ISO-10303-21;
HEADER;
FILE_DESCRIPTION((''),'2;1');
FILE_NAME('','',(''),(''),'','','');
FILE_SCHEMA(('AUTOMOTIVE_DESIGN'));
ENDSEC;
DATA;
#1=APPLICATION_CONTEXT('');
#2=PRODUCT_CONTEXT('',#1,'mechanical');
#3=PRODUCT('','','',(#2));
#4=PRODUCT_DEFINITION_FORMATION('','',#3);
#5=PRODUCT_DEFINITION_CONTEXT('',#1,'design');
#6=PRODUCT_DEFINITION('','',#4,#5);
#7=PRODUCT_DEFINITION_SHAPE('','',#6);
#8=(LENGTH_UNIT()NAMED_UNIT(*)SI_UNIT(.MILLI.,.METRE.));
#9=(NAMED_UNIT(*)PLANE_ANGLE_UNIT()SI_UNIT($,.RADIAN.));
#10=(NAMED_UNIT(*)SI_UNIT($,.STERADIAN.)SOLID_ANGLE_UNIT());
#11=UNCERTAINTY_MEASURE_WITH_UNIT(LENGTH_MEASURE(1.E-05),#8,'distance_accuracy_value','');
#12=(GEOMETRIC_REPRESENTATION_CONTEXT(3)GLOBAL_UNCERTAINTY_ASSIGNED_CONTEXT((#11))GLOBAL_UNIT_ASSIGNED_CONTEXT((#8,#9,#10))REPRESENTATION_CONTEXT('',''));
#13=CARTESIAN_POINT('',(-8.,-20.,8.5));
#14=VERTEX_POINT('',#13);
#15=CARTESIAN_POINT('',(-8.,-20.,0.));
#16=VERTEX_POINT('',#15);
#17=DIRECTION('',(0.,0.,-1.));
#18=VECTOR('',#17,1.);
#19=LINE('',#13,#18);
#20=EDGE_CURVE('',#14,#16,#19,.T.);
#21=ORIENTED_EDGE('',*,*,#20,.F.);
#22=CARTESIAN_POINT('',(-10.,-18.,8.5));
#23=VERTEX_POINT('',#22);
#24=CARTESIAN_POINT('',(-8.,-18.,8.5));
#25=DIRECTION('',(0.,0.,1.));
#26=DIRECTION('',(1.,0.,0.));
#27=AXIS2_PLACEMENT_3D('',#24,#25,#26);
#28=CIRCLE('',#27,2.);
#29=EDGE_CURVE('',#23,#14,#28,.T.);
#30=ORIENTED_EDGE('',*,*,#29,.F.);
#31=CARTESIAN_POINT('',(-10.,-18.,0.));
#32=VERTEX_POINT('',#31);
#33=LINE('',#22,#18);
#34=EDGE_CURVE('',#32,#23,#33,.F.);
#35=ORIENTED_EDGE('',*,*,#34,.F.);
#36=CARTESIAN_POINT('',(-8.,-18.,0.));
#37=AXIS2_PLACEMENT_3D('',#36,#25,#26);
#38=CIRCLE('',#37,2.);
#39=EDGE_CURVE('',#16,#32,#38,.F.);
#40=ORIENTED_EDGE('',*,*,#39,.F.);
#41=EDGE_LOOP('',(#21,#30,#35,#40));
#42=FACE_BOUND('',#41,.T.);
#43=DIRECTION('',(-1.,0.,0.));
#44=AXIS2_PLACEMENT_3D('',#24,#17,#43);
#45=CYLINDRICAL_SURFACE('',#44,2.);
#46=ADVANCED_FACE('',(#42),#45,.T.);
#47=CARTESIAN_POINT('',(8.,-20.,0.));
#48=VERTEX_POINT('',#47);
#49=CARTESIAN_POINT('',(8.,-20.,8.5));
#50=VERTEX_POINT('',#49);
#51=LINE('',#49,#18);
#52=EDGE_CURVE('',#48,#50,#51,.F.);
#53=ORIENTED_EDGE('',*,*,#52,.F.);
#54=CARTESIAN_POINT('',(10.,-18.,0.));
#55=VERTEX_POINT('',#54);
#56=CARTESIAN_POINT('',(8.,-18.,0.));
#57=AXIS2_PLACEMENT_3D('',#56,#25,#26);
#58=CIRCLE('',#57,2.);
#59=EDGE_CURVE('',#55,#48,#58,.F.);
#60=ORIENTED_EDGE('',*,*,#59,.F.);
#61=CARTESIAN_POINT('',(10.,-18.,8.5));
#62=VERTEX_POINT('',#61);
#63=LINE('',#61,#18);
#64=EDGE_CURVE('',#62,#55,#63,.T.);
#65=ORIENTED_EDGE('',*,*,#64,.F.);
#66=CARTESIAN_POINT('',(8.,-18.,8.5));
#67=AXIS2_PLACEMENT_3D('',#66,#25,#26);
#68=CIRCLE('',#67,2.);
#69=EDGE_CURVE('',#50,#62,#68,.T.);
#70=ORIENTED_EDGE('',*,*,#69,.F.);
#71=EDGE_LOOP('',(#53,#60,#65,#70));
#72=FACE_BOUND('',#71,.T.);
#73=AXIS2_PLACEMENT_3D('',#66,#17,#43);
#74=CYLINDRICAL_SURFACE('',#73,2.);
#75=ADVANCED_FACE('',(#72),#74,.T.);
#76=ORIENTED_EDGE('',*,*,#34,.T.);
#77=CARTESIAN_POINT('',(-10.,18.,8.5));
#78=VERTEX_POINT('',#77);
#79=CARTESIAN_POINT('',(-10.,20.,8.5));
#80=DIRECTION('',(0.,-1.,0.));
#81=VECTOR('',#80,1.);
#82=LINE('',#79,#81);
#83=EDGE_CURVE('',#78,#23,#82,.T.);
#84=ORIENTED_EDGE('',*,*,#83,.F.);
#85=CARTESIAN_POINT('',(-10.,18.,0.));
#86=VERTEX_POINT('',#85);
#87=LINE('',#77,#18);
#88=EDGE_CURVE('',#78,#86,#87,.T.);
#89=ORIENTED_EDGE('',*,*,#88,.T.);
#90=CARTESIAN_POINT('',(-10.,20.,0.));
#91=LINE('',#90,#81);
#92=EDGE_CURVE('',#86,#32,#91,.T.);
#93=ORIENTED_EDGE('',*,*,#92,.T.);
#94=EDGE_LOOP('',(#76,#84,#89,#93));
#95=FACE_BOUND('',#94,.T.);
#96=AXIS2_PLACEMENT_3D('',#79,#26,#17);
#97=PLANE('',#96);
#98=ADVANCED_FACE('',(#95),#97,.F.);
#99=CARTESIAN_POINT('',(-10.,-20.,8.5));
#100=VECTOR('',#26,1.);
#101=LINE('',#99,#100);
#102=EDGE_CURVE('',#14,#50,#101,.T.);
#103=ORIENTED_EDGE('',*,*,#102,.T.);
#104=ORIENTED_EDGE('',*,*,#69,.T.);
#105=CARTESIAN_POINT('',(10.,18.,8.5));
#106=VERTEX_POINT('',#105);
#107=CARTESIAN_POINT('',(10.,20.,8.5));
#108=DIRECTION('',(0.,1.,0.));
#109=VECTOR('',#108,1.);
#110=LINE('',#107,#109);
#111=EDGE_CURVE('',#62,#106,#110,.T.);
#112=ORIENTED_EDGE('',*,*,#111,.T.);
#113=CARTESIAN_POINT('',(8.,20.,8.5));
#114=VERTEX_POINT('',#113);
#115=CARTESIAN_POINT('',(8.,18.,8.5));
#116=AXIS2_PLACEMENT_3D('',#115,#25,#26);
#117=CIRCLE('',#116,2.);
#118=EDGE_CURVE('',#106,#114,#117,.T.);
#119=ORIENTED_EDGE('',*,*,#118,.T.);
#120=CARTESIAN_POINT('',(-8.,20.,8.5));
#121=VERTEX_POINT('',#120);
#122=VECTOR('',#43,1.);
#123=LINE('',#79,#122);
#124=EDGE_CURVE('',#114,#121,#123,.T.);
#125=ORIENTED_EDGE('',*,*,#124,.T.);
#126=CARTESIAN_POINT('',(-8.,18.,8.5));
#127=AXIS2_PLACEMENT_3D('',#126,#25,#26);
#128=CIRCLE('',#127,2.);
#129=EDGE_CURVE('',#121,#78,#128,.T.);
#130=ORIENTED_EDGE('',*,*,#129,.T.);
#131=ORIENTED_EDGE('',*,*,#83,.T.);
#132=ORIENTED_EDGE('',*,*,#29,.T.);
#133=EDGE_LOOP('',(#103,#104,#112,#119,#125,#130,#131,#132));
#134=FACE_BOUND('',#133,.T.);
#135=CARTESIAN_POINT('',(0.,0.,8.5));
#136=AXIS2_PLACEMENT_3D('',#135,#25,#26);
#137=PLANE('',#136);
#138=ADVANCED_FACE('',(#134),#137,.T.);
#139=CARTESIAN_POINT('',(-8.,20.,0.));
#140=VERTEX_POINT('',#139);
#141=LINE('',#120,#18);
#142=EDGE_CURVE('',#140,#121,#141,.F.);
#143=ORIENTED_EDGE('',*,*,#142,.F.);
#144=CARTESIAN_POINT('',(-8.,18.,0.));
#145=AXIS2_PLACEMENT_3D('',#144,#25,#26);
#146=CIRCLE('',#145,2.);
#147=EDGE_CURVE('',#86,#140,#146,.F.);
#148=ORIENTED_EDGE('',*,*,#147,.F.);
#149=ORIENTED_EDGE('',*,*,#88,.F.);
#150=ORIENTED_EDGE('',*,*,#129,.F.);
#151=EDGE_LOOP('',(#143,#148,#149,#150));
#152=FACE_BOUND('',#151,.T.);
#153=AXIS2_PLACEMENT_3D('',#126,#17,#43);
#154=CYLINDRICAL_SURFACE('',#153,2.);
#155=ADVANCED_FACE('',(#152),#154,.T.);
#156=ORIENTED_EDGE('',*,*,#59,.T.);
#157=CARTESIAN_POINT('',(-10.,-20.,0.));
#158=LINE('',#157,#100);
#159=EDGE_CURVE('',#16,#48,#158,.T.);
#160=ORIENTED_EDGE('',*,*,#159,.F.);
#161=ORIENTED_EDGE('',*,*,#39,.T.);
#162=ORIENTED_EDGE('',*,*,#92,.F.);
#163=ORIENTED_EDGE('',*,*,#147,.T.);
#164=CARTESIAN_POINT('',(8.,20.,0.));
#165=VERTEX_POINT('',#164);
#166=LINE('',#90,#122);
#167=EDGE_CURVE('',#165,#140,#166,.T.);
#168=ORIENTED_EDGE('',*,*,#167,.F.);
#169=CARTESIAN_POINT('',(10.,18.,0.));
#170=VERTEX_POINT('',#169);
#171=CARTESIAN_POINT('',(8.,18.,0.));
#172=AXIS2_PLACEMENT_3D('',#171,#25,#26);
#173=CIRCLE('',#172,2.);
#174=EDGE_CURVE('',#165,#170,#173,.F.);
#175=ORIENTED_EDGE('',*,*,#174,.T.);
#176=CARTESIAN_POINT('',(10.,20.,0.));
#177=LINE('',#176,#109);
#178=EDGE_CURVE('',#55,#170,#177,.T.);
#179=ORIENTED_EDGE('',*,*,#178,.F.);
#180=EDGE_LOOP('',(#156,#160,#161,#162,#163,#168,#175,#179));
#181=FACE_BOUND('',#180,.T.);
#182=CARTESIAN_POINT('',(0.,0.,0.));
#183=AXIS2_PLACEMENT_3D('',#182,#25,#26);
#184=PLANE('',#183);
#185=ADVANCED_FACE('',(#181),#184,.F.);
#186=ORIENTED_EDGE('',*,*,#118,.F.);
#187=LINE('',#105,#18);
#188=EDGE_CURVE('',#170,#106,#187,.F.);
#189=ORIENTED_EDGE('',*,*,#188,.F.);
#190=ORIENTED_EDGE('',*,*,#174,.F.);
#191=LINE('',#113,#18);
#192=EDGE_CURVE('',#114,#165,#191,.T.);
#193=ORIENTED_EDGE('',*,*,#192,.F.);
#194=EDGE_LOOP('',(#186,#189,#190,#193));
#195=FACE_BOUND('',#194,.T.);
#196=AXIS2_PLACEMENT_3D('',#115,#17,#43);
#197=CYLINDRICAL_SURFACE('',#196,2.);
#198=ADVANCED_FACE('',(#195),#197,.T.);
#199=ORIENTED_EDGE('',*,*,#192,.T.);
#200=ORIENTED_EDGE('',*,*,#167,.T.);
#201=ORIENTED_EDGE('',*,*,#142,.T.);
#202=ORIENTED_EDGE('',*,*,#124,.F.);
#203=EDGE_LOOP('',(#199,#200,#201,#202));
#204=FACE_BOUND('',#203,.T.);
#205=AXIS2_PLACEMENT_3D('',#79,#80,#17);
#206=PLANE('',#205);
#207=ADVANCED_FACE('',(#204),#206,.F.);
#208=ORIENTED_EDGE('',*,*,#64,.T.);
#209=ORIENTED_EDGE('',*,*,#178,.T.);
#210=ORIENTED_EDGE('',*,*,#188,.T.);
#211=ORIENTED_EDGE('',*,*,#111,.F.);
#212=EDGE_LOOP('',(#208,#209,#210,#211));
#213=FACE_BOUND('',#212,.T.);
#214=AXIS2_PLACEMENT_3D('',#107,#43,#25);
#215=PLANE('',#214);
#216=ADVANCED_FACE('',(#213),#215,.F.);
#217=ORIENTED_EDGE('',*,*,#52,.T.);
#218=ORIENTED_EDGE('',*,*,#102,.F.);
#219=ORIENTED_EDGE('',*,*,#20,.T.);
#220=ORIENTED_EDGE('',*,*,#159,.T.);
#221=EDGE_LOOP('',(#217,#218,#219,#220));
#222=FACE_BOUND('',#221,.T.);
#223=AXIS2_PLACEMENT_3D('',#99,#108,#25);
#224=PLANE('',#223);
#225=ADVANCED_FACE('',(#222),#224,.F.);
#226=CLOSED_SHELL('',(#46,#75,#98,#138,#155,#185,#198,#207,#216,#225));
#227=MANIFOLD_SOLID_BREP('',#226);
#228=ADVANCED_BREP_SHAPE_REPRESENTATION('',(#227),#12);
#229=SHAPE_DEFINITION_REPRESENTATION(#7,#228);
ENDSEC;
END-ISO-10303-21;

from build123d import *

# Parameters (mm, degrees)
SKETCH1_W           = 20
SKETCH1_H           = 40
BOSS_EXTRUDE1_DEPTH = 8.5
FILLET1_R           = 2


with BuildPart() as part:
    # Sketch1 → Boss-Extrude1 (new body)
    with BuildSketch(Plane.XY):
        Rectangle(SKETCH1_W, SKETCH1_H)
    extrude(amount=BOSS_EXTRUDE1_DEPTH)

    # Fillet1
    fillet1_edges = [part.edges().sort_by_distance(p)[0] for p in [
        (-10, 20, 4.25),
        (10, 20, 4.25),
        (10, -20, 4.25),
        (-10, -20, 4.25),
    ]]
    fillet(fillet1_edges, radius=FILLET1_R)


solid = part.part
